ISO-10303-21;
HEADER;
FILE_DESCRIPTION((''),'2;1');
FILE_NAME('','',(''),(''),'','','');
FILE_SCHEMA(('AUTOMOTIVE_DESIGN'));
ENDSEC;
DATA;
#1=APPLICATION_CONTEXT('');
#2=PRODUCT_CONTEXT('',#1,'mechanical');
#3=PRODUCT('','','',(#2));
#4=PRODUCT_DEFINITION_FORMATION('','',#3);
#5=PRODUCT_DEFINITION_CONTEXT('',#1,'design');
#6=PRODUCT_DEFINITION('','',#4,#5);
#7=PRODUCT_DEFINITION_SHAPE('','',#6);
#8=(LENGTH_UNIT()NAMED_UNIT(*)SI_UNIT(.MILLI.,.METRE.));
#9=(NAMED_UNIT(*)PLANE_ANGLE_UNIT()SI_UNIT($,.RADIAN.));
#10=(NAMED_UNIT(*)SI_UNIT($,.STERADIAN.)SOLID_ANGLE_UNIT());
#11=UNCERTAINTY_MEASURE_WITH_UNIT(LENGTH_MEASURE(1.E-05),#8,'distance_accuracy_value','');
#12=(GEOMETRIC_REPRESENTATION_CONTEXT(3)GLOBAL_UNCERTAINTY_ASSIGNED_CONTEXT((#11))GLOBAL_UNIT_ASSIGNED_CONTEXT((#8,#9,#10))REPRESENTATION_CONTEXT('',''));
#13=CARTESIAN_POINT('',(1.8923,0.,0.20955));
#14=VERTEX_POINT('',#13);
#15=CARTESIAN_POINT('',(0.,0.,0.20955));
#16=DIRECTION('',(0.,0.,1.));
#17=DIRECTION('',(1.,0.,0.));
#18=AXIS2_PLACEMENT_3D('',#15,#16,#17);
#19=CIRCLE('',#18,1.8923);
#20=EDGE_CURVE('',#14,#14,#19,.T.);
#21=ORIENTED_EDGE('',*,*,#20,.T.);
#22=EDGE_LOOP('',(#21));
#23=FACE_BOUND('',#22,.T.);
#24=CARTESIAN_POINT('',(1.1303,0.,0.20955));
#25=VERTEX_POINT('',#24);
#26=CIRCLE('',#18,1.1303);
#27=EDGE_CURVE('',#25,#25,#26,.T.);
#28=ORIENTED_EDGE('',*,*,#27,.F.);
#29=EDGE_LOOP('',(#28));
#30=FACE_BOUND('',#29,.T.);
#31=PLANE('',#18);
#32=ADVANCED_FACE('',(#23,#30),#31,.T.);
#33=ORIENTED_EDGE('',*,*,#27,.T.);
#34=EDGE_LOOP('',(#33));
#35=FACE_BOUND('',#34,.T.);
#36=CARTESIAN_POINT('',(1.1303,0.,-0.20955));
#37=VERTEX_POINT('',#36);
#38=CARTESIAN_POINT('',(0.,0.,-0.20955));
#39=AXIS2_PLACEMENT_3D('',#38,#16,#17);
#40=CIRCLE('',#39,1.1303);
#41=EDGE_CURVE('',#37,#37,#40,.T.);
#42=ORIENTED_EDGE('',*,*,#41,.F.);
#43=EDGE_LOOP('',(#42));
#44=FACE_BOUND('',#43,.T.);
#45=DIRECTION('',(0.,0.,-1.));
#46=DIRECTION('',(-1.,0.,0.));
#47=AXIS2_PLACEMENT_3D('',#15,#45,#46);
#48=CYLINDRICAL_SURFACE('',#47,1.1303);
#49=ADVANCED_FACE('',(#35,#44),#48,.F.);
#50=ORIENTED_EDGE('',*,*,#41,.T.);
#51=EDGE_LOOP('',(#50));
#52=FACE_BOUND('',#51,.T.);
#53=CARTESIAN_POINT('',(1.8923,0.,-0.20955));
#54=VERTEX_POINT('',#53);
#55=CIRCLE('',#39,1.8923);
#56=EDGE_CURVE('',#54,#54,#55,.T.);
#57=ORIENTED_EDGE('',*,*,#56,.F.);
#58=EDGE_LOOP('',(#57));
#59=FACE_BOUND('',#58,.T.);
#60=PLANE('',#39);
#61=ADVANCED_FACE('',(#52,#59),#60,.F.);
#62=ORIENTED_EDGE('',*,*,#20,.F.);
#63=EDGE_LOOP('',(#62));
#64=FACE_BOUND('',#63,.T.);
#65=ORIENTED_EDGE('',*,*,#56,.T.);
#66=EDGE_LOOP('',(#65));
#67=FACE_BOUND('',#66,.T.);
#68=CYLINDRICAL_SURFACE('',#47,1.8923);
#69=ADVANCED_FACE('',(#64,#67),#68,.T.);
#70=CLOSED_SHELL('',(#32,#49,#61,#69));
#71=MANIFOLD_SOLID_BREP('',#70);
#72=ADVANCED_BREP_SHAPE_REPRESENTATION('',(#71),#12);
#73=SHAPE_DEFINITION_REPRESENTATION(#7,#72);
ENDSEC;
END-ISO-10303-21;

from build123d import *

# Parameters (mm, degrees)
SKETCH3_R           = 1.8923
SKETCH3_R_2         = 1.1303
BOSS_EXTRUDE1_DEPTH = 0.20955


with BuildPart() as part:
    # Sketch3 → Boss-Extrude1 (new, symmetric)
    with BuildSketch(Plane.XY):
        Circle(SKETCH3_R)
        Circle(SKETCH3_R_2, mode=Mode.SUBTRACT)
    extrude(amount=BOSS_EXTRUDE1_DEPTH, both=True)


solid = part.part
